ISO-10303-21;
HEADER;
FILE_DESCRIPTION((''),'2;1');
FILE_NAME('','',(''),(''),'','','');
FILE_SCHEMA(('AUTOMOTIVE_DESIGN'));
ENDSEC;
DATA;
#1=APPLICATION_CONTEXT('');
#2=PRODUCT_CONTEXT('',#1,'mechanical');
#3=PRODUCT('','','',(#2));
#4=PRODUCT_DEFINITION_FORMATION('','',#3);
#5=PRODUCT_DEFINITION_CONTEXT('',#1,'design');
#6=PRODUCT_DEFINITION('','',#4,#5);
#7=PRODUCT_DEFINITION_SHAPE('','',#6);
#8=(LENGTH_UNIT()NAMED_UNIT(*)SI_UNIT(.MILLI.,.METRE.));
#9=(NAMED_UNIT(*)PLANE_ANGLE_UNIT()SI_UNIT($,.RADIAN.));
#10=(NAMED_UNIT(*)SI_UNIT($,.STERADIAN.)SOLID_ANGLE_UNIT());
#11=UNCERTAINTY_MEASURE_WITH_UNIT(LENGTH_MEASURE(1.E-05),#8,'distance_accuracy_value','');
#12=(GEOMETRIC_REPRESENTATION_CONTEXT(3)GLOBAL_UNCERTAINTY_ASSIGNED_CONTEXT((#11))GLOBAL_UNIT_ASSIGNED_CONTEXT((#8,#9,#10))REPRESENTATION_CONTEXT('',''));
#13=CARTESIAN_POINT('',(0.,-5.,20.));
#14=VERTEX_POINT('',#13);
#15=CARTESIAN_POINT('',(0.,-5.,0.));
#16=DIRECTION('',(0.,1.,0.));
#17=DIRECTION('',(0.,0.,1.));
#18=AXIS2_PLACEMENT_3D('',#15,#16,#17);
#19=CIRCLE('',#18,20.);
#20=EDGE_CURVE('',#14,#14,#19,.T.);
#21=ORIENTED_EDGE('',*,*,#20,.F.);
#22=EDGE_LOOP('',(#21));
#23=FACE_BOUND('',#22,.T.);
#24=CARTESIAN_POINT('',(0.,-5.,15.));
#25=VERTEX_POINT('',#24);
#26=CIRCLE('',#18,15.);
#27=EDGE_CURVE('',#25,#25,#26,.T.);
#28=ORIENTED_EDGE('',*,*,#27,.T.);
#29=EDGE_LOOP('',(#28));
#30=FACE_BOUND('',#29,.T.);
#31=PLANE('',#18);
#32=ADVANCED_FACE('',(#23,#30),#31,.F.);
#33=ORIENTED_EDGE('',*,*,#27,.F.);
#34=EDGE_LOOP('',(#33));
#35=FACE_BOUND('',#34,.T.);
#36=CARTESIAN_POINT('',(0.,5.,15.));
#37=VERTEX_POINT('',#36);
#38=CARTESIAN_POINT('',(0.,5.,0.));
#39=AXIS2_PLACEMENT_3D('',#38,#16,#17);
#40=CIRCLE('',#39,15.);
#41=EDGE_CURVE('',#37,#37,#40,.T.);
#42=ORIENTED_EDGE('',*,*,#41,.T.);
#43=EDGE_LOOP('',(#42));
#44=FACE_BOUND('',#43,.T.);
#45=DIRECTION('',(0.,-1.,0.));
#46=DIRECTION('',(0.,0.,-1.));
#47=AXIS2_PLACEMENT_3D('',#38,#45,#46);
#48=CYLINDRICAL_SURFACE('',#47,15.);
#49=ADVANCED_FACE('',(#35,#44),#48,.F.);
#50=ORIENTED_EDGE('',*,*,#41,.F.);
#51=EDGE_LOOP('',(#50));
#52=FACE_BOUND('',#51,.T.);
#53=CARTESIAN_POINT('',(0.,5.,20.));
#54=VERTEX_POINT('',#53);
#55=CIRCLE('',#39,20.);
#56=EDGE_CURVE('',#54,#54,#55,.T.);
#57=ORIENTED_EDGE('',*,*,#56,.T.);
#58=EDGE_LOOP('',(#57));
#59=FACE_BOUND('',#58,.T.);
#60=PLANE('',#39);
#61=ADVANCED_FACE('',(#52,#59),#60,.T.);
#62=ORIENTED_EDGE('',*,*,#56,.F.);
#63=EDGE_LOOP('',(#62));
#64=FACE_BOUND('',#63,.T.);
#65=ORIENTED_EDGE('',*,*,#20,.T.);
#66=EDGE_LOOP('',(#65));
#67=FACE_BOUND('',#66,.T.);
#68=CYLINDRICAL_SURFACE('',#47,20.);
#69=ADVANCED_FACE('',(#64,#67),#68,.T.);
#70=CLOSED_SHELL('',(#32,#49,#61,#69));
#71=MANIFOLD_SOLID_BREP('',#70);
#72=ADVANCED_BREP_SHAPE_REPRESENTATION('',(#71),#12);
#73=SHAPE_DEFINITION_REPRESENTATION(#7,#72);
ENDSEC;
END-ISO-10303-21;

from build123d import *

# Parameters (mm, degrees)
SKETCH1_R           = 20
SKETCH1_R_2         = 15
BOSS_EXTRUDE1_DEPTH = 5


with BuildPart() as part:
    # Sketch1 → Boss-Extrude1 (new, symmetric)
    with BuildSketch(Plane(origin=(0, 0, 0), x_dir=(1, 0, 0), z_dir=(0, 1, 0))):
        with Locations(Location((0, 0, 0), (0, 0, 270))):
            Circle(SKETCH1_R)
        with Locations(Location((0, 0, 0), (0, 0, 270))):
            Circle(SKETCH1_R_2, mode=Mode.SUBTRACT)
    extrude(amount=BOSS_EXTRUDE1_DEPTH, both=True)


solid = part.part
